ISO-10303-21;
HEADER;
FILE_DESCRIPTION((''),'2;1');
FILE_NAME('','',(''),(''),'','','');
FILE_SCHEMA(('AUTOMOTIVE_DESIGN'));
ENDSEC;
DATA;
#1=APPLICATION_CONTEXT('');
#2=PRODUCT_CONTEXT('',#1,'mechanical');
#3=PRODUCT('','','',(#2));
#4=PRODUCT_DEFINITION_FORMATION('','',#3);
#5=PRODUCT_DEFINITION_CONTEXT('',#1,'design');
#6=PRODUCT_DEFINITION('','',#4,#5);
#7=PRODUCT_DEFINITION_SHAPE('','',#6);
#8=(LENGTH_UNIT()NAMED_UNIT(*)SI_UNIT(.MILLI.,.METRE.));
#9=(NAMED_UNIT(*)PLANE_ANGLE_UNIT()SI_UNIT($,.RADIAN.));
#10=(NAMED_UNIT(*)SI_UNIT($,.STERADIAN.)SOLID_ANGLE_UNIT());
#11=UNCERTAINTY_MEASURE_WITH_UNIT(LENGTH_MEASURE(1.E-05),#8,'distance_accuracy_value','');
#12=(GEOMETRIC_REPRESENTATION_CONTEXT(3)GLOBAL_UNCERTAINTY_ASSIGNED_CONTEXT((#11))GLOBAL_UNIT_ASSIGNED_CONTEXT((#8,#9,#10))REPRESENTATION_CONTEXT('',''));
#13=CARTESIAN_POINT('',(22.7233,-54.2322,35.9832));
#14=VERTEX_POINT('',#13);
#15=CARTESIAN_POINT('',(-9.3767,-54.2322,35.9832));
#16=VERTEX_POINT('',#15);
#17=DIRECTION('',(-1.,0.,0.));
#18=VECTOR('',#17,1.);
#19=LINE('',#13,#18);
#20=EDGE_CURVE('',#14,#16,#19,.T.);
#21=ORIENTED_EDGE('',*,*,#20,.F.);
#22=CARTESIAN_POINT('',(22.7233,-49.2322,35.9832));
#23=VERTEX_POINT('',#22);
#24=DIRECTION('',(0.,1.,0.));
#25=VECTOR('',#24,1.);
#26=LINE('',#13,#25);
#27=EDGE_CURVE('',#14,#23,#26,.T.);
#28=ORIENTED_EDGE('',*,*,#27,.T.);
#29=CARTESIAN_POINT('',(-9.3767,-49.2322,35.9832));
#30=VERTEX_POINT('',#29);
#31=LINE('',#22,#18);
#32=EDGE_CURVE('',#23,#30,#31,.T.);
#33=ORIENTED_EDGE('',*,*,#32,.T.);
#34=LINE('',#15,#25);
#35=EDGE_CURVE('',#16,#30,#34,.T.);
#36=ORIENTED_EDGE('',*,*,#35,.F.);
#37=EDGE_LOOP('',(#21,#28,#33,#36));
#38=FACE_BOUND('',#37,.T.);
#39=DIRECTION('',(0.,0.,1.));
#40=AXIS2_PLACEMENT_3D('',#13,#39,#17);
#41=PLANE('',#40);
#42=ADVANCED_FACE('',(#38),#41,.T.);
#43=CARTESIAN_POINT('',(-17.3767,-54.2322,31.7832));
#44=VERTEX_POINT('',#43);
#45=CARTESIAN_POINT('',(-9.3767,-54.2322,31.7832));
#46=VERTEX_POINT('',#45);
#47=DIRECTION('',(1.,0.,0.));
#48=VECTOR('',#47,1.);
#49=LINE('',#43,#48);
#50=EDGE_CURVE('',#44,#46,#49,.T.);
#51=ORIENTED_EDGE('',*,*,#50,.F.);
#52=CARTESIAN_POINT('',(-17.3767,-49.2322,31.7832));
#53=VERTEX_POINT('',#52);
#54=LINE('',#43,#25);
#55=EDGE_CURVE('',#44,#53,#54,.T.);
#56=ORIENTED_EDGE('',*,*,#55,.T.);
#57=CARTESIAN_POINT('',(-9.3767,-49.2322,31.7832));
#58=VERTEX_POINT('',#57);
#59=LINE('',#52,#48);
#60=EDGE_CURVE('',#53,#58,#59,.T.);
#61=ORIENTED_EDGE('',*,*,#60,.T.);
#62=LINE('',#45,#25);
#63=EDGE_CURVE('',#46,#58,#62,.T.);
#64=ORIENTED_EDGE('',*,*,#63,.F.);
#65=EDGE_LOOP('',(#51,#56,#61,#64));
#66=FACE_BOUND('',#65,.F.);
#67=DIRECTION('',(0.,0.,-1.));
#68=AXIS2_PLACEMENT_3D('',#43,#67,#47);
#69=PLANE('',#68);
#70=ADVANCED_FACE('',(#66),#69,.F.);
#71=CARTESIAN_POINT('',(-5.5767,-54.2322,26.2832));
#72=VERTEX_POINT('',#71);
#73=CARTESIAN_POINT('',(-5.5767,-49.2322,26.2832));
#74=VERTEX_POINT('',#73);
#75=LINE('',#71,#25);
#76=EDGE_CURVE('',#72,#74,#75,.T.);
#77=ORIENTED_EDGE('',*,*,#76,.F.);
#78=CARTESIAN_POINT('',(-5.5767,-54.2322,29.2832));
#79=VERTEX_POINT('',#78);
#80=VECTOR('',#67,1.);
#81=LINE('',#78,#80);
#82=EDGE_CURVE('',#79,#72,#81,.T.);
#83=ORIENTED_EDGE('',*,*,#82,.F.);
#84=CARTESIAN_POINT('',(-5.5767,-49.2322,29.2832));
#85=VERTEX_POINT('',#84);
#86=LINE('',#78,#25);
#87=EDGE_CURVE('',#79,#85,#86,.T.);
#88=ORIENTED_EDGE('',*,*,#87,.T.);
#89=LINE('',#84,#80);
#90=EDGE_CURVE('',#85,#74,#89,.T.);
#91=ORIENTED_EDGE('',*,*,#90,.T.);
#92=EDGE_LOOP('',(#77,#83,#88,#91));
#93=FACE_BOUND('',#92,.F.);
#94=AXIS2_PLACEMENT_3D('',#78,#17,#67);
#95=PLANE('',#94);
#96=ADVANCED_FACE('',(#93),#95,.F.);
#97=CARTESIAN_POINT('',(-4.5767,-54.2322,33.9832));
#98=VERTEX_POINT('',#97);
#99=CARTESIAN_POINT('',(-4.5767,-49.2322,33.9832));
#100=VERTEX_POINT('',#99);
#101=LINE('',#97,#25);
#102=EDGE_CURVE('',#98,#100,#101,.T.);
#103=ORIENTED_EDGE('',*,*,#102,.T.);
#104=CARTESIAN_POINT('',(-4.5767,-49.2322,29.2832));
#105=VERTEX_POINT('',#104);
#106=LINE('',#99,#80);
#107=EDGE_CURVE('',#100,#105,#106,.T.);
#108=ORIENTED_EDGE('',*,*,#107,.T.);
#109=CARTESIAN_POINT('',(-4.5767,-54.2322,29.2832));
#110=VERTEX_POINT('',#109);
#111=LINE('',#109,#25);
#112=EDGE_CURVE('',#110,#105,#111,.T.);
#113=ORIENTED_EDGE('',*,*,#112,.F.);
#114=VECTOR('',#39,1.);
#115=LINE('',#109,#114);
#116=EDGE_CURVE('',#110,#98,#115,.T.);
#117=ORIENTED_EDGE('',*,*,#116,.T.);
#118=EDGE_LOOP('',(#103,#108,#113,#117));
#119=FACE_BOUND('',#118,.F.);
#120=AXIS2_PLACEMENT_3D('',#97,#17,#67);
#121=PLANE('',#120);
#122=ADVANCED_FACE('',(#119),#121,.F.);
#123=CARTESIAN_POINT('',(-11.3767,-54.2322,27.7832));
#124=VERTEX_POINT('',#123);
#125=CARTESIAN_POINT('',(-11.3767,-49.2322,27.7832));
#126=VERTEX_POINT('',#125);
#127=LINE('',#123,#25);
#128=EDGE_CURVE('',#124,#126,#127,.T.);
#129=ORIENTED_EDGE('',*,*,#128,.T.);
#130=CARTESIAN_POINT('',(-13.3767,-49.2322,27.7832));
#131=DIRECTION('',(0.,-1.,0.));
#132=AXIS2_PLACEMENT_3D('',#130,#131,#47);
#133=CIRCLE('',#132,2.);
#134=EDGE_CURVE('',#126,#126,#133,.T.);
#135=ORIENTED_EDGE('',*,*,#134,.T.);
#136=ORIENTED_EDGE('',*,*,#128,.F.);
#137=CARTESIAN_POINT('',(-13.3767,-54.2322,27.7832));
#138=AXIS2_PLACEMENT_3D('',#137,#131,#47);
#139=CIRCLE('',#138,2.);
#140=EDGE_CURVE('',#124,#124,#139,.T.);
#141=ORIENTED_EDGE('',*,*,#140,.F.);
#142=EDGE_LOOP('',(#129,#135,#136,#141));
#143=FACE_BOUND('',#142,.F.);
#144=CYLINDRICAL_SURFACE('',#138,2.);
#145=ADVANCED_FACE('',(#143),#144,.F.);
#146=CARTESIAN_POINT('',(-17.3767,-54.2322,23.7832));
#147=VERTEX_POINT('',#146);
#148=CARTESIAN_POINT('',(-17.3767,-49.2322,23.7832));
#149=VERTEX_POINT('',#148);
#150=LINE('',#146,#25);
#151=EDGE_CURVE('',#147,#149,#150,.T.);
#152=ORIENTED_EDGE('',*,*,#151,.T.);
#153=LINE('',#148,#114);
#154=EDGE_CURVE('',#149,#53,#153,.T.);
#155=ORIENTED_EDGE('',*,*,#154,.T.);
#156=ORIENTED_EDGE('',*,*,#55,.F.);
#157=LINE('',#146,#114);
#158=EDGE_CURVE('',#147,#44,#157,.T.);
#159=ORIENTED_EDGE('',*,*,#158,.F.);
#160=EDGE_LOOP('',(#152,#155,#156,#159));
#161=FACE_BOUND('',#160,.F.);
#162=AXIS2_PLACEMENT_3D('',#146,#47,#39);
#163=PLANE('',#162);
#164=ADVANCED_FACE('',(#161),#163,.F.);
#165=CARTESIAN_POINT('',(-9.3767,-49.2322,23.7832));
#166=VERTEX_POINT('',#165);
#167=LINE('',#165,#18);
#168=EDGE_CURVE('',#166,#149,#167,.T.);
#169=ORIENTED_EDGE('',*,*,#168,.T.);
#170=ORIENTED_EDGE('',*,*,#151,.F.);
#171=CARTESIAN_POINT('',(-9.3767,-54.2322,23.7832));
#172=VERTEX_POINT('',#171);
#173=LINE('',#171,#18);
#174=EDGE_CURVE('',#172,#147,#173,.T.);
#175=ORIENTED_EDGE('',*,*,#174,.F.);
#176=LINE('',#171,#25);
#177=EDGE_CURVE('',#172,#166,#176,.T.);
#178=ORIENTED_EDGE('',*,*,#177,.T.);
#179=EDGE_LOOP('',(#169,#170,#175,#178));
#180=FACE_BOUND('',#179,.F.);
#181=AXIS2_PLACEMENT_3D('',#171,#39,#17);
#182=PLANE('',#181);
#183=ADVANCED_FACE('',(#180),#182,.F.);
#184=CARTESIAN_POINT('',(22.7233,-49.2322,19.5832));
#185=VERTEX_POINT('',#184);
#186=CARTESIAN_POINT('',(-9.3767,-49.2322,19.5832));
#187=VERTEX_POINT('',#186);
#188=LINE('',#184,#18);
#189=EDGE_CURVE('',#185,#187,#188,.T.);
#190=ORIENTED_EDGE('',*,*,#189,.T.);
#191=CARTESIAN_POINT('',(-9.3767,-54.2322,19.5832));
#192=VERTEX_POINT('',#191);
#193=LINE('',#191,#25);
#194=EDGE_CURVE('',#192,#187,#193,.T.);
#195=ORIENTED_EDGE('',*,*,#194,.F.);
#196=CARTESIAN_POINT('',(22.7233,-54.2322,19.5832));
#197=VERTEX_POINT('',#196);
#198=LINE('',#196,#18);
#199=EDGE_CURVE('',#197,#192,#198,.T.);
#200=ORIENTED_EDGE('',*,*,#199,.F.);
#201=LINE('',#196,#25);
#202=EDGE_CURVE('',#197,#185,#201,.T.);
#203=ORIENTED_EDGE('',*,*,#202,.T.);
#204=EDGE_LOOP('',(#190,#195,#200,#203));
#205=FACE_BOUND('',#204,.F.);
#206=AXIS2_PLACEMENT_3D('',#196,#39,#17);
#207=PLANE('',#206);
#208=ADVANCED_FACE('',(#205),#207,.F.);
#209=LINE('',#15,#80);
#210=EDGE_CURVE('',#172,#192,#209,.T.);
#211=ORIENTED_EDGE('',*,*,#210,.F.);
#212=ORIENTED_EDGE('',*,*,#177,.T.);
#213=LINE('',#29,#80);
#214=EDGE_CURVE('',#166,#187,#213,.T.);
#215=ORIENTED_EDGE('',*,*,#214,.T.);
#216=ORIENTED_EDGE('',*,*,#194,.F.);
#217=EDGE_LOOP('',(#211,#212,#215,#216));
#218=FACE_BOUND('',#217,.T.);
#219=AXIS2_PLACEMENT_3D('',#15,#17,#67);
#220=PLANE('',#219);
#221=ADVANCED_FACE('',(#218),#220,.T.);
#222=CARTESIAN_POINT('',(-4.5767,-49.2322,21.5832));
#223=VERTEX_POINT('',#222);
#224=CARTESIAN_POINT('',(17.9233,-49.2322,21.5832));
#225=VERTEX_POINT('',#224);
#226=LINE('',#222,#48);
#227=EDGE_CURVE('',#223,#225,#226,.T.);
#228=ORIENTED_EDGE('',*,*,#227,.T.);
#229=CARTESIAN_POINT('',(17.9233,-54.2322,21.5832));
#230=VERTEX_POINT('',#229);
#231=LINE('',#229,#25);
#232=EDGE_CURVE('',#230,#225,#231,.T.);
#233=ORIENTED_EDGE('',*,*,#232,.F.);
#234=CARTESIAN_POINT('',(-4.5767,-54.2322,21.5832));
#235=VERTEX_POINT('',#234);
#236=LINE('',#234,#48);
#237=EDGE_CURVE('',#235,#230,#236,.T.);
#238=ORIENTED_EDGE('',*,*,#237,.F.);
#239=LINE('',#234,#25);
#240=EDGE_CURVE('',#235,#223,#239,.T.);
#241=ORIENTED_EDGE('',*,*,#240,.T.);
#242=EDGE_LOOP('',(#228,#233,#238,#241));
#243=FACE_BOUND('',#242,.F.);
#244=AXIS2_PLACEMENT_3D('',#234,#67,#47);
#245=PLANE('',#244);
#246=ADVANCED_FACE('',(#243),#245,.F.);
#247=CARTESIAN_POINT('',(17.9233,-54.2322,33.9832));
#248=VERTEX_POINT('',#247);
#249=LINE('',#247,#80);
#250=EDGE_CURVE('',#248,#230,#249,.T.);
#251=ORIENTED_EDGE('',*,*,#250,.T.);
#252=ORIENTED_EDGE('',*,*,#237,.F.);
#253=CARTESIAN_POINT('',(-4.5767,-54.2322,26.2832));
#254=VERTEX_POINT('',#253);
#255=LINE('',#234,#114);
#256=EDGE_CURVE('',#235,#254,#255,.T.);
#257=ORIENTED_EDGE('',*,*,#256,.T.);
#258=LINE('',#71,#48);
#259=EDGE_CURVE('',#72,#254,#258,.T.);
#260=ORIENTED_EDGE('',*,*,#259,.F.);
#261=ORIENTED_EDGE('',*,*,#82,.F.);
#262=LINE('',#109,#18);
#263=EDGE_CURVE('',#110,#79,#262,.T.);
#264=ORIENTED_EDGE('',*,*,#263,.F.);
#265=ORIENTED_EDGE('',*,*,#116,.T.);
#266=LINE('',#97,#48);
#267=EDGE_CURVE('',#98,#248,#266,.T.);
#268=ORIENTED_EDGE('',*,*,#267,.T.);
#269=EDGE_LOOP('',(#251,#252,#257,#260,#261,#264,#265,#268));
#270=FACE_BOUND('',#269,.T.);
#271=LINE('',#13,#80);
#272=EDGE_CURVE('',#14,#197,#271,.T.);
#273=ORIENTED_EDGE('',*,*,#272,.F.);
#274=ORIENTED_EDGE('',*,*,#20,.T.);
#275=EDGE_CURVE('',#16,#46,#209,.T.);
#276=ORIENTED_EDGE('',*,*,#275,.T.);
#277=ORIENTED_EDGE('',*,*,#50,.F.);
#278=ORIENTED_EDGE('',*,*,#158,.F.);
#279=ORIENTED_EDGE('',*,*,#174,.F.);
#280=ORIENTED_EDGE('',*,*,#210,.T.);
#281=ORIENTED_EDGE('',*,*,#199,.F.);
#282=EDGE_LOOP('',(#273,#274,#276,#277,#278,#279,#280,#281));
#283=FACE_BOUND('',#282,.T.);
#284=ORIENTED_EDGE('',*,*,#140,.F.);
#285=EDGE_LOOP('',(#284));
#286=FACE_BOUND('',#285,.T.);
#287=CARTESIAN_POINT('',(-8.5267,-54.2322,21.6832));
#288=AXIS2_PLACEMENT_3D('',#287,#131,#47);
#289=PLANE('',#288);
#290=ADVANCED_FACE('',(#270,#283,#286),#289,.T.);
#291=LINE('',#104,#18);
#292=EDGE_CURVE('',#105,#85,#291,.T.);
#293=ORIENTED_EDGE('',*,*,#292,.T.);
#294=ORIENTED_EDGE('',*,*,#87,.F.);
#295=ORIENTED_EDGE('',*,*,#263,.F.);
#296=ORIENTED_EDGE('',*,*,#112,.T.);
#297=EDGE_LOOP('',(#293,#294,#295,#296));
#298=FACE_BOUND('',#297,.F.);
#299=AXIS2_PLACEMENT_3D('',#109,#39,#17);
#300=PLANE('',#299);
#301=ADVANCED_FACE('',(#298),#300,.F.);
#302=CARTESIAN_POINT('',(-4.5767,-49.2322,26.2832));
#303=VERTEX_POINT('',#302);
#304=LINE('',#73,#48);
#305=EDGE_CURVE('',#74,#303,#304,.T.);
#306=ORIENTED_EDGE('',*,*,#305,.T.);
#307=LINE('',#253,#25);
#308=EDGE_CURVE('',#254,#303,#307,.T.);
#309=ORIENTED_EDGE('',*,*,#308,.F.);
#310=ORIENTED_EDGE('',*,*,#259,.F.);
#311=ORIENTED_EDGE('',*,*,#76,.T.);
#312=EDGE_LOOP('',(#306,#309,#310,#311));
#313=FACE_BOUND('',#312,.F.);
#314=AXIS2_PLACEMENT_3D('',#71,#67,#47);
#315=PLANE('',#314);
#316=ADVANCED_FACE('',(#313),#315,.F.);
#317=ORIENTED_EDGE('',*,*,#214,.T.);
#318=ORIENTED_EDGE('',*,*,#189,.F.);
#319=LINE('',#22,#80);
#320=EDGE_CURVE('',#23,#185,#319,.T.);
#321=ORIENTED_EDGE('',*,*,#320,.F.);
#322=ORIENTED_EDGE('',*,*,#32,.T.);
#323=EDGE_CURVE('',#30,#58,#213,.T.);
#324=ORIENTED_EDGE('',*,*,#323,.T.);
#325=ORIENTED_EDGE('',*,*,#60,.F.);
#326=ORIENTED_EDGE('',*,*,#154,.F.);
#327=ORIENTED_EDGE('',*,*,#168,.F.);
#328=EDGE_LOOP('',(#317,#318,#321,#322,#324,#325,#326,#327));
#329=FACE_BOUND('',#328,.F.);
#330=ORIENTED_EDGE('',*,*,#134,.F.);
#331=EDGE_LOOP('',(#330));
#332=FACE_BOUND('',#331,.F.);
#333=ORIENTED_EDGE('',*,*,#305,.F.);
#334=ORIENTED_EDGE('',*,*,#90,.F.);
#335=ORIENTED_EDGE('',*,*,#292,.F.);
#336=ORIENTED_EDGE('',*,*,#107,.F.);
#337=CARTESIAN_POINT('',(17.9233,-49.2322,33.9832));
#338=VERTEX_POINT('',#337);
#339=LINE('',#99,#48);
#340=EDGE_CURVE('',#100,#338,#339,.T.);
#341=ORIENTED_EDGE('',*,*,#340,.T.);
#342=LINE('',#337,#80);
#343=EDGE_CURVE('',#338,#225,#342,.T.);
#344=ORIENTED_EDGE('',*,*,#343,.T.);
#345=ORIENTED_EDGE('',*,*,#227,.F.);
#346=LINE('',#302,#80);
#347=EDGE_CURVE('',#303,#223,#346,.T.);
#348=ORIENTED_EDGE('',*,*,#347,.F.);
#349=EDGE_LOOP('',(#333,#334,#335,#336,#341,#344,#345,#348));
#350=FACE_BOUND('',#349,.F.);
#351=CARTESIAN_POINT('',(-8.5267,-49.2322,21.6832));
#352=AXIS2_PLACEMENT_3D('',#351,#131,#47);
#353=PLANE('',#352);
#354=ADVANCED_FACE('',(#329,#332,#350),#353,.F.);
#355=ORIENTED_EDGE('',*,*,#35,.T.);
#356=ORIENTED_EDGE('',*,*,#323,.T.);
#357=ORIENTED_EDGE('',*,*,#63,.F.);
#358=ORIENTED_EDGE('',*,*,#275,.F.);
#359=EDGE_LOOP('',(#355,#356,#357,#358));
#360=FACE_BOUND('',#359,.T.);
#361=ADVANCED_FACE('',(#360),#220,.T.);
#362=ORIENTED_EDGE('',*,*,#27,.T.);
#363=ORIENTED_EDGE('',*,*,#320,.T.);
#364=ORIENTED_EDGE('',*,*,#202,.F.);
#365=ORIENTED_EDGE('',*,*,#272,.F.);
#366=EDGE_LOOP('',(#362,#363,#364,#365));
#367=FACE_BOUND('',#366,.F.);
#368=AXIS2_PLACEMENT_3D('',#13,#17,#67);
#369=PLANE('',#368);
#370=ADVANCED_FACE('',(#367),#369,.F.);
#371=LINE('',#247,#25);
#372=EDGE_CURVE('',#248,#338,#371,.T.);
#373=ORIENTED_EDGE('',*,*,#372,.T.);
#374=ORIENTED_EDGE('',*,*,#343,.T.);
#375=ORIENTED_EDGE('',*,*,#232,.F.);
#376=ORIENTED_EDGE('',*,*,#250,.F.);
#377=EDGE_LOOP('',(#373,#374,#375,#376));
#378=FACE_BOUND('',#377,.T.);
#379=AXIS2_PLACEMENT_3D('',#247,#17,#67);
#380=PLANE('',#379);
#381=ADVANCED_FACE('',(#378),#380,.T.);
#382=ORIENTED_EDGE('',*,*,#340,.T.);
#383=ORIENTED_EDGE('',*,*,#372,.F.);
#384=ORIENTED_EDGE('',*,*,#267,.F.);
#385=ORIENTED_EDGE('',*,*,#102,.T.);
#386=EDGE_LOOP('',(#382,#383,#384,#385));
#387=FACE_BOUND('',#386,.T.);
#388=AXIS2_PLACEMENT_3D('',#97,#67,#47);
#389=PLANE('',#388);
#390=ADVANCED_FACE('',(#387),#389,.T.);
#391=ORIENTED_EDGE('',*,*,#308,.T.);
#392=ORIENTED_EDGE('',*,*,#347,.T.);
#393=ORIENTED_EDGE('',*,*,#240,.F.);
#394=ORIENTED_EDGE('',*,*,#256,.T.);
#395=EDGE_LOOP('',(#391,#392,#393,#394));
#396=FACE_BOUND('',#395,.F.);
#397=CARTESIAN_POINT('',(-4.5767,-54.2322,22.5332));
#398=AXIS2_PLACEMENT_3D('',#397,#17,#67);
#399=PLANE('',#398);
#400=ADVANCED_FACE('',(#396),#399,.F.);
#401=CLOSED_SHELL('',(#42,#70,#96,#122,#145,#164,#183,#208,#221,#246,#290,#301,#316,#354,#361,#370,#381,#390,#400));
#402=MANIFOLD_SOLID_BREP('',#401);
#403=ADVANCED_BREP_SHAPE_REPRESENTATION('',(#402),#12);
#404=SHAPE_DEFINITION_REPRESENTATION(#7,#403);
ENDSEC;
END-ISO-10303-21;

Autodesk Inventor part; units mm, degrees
ref_plane "YZ Plane" through (0, 0, 0) normal (1, 0, 0) x (0, 1, 0)
ref_plane "Work Plane1" through (-8.5267, 21.9678, 110.0832) normal (0, 0, 1) x (1, 0, 0)
sketch "Sketch1" plane through (-8.5267, 21.9678, 110.0832) normal (0, 0, 1) x (1, 0, 0)
  line L0 (3.95, 0) -> (3.95, -10.3) projected
  line L1 (3.95, 0) -> (3.95, -5.15)
  line L2 (4.8, 0) -> (4.8, -10.3) projected
  point P0 (8.5267, -21.9678)
ref_plane "Work Plane3" through (-8.5267, -54.2322, 21.6832) normal (0, -1, 0) x (1, 0, 0)
sketch "Sketch6" plane through (-8.5267, -54.2322, 21.6832) normal (0, -1, 0) x (1, 0, 0)
  line L0 (3.95, 0.85) -> (3.95, 11.35) projected
  line L1 (3.95, 12.3) -> (3.95, -0.1)
  line L2 (5.95, 4.6) -> (5.95, 7.6) projected
  line L3 (25.6, 12.1) -> (4.8, 12.1) construction
  line L4 (15.2, 12.1) -> (15.2, 0) construction
  line L5 (25.6, 0) -> (4.8, 0) construction
  line L6 (26.45, 12.3) -> (26.45, -0.1)
  line L7 (-0.85, 6.1) -> (31.25, 6.1) construction
  line L8 (31.25, 14.3) -> (-0.85, 14.3)
  line L9 (31.25, -2.1) -> (-0.85, -2.1)
  line L10 (-0.85, 14.3) -> (-0.85, -2.1)
  line L11 (31.25, 14.3) -> (31.25, -2.1)
  line L12 (3.95, 12.3) -> (26.45, 12.3)
  line L13 (3.95, -0.1) -> (26.45, -0.1)
  point P0 (5.95, 6.1)
  point P1 (3.95, 6.1)
  point P2 (-0.85, 6.1)
  point P3 (26.45, 6.1)
  point P4 (31.25, 6.1)
  dimension "d19" = 12.4
extrude "Extrusion4" add sketch "Sketch6" against normal blind 5
sketch "Sketch7" plane through (-8.5267, -54.2322, 21.6832) normal (0, -1, 0) x (1, 0, 0)
  line L0 (2.95, 4.6) -> (3.95, 4.6)
  line L1 (3.95, 4.6) -> (3.95, 7.6)
  line L2 (3.95, 7.6) -> (2.95, 7.6)
  line L3 (2.95, 7.6) -> (2.95, 4.6)
  line L4 (3.95, -0.1) -> (3.95, 12.3) projected
  line L5 (-0.85, 14.3) -> (-0.85, -2.1) projected
  point P0 (8.5267, -21.6832)
  point P1 (2.95, 6.1)
  point P2 (3.95, 6.1)
  dimension "d20" = 1
  dimension "d21" = 3
extrude "Extrusion5" cut sketch "Sketch7" against normal up to surface (5 mm away)
sketch "Sketch8" plane through (-8.5267, -54.2322, 21.6832) normal (0, -1, 0) x (1, 0, 0)
  line L0 (-0.85, 14.3) -> (-0.85, -2.1) projected
  line L1 (-0.85, 2.1) -> (-8.85, 2.1)
  line L2 (-8.85, 2.1) -> (-8.85, 10.1)
  line L3 (-8.85, 10.1) -> (-0.85, 10.1)
  line L4 (-0.85, 10.1) -> (-0.85, 2.1)
  line L5 (4.05, 11.35) -> (4.05, 0.85) projected
  circle A0 centre (-4.85, 6.1) radius 2
  point P0 (8.5267, -21.6832)
  point P1 (-8.85, 6.1)
  point P2 (4.05, 6.1)
  point P3 (-4.85, 2.1)
  dimension "d24" = 8
  dimension "d25" = 8
  dimension "d26" = 4
extrude "Extrusion6" add sketch "Sketch8" against normal up to surface (5 mm away)
ref_plane "Work Plane4" through (-4.5767, -54.2322, 27.7832) normal (0, 0, 1) x (1, 0, 0)
properties part number "SG90 360 Degree Servo Holder"
